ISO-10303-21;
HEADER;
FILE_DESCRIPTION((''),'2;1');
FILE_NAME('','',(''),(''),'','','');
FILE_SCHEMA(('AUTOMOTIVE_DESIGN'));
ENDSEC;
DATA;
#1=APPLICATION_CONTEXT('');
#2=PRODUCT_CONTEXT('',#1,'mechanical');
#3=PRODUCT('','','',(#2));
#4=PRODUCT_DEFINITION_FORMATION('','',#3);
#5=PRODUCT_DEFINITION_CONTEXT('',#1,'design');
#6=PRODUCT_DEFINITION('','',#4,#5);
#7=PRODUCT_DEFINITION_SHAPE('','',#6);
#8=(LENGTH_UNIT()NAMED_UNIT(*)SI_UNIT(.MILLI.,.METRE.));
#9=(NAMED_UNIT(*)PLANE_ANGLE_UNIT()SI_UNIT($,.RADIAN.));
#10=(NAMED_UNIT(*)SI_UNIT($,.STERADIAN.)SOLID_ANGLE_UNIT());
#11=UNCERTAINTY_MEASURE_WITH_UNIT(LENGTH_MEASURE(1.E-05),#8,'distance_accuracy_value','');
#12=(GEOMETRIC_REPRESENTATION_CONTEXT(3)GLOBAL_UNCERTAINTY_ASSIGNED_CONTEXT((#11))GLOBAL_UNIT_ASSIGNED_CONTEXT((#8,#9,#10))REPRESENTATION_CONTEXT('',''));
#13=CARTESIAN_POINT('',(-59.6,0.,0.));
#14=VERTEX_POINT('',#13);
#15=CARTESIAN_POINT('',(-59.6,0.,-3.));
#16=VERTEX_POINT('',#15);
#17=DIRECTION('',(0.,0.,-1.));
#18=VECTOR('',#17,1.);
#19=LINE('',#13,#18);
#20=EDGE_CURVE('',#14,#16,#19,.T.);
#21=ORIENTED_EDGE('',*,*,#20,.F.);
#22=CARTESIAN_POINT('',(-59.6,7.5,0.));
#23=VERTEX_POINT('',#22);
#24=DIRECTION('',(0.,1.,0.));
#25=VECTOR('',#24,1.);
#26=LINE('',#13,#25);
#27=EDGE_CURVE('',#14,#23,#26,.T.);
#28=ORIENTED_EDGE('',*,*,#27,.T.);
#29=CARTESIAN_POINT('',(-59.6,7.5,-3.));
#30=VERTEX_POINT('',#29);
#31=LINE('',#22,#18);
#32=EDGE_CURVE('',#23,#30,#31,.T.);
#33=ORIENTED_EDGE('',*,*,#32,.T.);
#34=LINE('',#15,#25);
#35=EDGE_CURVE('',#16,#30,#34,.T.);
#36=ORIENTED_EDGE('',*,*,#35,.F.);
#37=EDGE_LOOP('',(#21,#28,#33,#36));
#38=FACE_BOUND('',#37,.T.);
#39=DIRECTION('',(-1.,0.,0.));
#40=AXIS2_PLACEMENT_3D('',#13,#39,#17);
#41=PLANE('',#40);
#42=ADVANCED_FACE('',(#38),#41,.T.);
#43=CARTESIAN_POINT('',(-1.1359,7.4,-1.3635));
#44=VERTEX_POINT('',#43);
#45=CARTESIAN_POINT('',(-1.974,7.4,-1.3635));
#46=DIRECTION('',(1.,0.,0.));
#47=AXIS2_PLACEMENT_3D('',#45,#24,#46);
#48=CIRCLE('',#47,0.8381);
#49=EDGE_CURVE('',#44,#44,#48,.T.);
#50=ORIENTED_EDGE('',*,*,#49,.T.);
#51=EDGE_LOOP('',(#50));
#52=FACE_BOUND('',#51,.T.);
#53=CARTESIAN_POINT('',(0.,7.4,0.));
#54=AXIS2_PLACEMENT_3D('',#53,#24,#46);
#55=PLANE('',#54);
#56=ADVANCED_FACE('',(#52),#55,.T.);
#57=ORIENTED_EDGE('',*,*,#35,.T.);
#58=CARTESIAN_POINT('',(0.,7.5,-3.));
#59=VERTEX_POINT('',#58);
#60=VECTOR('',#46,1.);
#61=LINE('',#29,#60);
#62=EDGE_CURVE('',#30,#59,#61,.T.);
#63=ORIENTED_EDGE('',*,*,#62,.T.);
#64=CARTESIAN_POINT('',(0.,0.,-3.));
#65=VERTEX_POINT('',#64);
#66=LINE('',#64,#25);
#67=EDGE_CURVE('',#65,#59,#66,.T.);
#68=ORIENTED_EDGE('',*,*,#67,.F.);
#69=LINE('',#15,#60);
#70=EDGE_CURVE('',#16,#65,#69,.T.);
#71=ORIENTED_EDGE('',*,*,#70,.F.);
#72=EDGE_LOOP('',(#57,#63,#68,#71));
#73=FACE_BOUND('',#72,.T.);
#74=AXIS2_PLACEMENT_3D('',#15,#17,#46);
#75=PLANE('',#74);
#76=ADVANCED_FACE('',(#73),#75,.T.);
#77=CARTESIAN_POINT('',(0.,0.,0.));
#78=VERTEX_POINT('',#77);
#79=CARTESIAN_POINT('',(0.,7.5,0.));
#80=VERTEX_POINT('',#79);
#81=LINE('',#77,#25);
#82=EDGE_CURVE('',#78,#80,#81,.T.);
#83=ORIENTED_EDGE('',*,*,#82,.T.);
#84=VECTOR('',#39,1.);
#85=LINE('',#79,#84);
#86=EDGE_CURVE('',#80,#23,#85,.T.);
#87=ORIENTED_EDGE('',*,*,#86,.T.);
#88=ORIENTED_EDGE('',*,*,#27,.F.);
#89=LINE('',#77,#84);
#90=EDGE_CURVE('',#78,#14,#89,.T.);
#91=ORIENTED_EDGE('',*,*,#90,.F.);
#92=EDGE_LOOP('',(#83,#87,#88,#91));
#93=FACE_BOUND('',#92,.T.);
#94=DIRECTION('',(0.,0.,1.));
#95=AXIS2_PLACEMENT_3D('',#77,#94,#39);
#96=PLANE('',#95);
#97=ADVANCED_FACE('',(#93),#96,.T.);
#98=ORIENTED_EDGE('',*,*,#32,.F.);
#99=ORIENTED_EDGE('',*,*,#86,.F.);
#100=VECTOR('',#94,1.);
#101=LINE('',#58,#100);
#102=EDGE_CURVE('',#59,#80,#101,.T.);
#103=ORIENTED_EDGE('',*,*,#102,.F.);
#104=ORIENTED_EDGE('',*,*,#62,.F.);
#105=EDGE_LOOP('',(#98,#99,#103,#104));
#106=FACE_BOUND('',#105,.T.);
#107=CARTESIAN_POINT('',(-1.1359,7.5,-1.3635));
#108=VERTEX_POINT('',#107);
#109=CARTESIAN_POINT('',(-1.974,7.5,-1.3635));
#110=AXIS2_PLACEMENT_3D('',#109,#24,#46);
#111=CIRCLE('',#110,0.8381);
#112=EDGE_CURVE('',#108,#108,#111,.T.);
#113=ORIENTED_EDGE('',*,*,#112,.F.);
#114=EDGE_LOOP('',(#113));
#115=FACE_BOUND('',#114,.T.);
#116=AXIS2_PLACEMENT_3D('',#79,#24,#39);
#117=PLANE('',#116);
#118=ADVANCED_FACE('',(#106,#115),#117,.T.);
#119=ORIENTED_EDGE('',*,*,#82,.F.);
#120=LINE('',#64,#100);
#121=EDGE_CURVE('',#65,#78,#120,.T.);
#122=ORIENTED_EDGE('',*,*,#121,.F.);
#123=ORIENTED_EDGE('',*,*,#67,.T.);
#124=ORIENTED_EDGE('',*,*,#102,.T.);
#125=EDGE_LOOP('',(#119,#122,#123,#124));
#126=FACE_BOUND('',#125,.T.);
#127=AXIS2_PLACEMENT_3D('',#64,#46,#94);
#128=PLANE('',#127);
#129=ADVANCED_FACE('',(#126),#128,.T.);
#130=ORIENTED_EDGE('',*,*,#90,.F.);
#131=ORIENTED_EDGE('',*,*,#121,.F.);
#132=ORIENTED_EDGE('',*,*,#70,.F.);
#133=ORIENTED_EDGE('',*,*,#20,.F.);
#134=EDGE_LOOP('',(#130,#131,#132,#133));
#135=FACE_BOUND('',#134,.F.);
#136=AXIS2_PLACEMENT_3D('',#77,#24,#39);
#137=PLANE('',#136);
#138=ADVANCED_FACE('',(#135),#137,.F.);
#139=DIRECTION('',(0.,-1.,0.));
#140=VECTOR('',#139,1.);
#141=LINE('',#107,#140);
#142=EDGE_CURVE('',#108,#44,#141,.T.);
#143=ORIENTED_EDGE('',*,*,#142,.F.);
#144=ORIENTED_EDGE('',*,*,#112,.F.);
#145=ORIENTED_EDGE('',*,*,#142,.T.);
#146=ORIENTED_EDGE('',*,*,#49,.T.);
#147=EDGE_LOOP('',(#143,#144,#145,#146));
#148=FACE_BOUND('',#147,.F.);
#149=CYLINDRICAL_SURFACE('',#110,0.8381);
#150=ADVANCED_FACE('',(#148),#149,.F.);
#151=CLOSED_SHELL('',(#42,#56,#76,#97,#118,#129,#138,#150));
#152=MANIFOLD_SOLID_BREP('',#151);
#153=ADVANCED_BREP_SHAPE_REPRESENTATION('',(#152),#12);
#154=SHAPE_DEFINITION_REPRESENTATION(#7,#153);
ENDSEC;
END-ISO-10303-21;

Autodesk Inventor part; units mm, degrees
ref_plane "YZ Plane" through (0, 0, 0) normal (1, 0, 0) x (0, 1, 0)
ref_plane "XZ Plane" through (0, 0, 0) normal (0, 1, 0) x (-1, 0, 0)
ref_plane "XY Plane" through (0, 0, 0) normal (0, 0, 1) x (1, 0, 0)
sketch "Sketch1" plane through (0, 0, 0) normal (0, 1, 0) x (-1, 0, 0)
  line L0 (0, 0) -> (59.6, 0)
  line L1 (59.6, 0) -> (59.6, -3)
  line L2 (59.6, -3) -> (0, -3)
  line L3 (0, -3) -> (0, 0)
  dimension "d0" = 59.6
  dimension "d1" = 3
extrude "Extrusion1" add sketch "Sketch1" along normal blind 7.5
sketch "Sketch2" plane through (0, 7.5, 0) normal (0, 1, 0) x (1, 0, 0)
  circle A0 centre (-1.974, 1.3635) radius 0.8381
  point P0 (0, 0)
extrude "Extrusion2" cut sketch "Sketch2" against normal blind 0.1
properties part number "sidewall"
